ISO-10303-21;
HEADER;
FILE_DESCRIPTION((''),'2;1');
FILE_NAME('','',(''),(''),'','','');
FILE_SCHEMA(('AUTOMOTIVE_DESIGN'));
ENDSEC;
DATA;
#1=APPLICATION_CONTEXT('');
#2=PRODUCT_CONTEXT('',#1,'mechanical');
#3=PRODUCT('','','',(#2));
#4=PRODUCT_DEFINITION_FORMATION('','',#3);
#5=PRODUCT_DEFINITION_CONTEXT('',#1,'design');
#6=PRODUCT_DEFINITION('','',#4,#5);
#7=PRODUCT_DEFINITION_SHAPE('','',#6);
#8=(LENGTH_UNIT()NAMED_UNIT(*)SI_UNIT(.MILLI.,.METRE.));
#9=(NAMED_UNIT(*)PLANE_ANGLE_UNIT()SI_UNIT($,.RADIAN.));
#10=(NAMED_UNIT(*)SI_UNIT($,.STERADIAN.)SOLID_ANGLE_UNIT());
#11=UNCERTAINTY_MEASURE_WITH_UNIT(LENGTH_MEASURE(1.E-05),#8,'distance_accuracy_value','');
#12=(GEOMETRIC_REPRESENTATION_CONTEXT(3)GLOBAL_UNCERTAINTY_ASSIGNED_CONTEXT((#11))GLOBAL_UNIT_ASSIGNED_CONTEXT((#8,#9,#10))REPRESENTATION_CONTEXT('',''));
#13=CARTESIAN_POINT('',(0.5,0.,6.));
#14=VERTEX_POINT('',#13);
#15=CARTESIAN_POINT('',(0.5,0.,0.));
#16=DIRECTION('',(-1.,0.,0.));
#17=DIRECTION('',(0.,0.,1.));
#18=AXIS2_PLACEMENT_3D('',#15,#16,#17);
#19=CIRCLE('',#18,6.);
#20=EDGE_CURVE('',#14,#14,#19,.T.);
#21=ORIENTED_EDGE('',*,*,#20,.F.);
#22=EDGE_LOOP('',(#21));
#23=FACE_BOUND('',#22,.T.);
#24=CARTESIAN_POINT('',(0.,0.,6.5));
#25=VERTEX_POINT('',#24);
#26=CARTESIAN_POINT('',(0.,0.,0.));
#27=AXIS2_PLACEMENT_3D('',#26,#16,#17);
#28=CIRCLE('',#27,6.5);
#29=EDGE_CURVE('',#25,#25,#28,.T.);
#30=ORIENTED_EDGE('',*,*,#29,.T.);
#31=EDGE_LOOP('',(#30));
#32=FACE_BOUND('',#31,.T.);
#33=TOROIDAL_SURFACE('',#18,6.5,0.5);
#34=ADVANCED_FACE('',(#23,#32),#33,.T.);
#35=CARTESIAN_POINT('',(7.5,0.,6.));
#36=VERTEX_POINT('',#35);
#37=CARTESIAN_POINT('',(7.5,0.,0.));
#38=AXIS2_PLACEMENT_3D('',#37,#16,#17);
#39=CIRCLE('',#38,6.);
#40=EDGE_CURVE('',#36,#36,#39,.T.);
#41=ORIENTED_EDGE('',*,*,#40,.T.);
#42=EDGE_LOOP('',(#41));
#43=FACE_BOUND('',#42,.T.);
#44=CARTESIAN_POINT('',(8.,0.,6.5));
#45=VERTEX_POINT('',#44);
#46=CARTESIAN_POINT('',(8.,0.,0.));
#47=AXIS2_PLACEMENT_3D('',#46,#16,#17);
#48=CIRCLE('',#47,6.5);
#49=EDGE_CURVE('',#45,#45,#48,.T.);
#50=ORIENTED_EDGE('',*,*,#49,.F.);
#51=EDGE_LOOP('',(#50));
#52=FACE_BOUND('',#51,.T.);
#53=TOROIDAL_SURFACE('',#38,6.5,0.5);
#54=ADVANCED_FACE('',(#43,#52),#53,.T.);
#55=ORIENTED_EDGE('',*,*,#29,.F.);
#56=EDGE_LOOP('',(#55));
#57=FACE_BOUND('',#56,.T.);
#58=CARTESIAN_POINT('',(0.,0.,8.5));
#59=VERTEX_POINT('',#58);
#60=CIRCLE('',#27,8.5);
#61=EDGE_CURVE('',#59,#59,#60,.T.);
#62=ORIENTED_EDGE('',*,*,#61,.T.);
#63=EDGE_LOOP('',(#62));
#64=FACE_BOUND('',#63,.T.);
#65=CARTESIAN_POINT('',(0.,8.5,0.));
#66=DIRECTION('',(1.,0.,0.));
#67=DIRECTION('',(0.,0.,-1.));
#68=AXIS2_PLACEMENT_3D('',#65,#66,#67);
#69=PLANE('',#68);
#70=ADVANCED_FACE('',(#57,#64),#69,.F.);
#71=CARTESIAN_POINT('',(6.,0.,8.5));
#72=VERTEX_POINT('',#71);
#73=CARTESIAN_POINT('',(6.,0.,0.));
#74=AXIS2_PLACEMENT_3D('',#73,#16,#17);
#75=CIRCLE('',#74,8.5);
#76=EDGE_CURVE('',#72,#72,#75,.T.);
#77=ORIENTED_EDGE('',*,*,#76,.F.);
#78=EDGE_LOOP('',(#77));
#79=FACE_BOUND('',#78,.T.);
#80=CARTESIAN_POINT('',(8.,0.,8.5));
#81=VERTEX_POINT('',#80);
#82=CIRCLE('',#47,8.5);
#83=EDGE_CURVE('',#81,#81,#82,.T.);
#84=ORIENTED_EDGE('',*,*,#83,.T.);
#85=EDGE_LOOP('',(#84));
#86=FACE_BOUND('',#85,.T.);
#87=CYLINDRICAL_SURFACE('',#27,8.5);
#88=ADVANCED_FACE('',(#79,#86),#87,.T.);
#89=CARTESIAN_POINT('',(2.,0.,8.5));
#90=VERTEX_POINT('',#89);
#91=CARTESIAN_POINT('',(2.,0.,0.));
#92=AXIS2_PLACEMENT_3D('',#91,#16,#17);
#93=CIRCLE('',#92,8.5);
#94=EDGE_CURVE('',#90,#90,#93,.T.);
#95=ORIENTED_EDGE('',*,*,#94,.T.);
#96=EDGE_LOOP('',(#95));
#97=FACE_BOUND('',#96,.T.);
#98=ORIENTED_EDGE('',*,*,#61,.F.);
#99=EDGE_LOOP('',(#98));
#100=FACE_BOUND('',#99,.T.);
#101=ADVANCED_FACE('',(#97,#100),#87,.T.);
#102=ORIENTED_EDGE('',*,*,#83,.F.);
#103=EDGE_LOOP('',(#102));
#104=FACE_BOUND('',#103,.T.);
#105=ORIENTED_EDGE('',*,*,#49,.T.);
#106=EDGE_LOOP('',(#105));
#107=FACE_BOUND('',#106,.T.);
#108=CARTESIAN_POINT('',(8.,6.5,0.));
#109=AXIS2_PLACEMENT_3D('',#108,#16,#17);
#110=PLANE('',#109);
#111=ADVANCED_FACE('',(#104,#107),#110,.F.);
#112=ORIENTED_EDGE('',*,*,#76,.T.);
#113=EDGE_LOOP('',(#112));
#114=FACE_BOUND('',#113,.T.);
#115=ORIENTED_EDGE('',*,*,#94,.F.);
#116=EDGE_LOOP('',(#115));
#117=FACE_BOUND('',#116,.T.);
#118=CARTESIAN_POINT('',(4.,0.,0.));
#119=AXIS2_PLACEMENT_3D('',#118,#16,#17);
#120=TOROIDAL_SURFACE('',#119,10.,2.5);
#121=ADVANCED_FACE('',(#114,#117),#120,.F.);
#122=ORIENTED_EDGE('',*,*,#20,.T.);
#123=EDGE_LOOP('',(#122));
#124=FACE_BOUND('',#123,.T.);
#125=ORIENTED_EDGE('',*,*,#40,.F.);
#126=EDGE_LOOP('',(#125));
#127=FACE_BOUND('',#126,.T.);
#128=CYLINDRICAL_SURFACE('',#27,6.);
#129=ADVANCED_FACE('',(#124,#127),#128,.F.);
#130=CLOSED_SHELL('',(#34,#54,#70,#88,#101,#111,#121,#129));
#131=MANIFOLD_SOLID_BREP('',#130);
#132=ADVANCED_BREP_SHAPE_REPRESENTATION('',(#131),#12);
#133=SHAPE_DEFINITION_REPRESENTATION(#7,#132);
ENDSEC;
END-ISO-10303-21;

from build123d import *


with BuildPart() as part:
    # Esquisse1 → Base-Révolution (revolve)
    with BuildSketch(Plane.XY, mode=Mode.PRIVATE) as base_r_volution_sk:
        with BuildLine():
            Line((6, 8.5), (8, 8.5))
            Line((8, 8.5), (8, 6.5))
            ThreePointArc((8, 6.5), (7.853553391, 6.146446609), (7.5, 6))
            Line((7.5, 6), (0.5, 6))
            ThreePointArc((0.5, 6), (0.146446609, 6.146446609), (0, 6.5))
            Line((0, 6.5), (0, 8.5))
            Line((0, 8.5), (2, 8.5))
            ThreePointArc((2, 8.5), (4, 7.5), (6, 8.5))
        make_face()
    revolve(base_r_volution_sk.sketch.rotate(Axis((0, 0, 0), (1, 0, 0)), 90), axis=Axis((0, 0, 0), (1, 0, 0)))


solid = part.part
